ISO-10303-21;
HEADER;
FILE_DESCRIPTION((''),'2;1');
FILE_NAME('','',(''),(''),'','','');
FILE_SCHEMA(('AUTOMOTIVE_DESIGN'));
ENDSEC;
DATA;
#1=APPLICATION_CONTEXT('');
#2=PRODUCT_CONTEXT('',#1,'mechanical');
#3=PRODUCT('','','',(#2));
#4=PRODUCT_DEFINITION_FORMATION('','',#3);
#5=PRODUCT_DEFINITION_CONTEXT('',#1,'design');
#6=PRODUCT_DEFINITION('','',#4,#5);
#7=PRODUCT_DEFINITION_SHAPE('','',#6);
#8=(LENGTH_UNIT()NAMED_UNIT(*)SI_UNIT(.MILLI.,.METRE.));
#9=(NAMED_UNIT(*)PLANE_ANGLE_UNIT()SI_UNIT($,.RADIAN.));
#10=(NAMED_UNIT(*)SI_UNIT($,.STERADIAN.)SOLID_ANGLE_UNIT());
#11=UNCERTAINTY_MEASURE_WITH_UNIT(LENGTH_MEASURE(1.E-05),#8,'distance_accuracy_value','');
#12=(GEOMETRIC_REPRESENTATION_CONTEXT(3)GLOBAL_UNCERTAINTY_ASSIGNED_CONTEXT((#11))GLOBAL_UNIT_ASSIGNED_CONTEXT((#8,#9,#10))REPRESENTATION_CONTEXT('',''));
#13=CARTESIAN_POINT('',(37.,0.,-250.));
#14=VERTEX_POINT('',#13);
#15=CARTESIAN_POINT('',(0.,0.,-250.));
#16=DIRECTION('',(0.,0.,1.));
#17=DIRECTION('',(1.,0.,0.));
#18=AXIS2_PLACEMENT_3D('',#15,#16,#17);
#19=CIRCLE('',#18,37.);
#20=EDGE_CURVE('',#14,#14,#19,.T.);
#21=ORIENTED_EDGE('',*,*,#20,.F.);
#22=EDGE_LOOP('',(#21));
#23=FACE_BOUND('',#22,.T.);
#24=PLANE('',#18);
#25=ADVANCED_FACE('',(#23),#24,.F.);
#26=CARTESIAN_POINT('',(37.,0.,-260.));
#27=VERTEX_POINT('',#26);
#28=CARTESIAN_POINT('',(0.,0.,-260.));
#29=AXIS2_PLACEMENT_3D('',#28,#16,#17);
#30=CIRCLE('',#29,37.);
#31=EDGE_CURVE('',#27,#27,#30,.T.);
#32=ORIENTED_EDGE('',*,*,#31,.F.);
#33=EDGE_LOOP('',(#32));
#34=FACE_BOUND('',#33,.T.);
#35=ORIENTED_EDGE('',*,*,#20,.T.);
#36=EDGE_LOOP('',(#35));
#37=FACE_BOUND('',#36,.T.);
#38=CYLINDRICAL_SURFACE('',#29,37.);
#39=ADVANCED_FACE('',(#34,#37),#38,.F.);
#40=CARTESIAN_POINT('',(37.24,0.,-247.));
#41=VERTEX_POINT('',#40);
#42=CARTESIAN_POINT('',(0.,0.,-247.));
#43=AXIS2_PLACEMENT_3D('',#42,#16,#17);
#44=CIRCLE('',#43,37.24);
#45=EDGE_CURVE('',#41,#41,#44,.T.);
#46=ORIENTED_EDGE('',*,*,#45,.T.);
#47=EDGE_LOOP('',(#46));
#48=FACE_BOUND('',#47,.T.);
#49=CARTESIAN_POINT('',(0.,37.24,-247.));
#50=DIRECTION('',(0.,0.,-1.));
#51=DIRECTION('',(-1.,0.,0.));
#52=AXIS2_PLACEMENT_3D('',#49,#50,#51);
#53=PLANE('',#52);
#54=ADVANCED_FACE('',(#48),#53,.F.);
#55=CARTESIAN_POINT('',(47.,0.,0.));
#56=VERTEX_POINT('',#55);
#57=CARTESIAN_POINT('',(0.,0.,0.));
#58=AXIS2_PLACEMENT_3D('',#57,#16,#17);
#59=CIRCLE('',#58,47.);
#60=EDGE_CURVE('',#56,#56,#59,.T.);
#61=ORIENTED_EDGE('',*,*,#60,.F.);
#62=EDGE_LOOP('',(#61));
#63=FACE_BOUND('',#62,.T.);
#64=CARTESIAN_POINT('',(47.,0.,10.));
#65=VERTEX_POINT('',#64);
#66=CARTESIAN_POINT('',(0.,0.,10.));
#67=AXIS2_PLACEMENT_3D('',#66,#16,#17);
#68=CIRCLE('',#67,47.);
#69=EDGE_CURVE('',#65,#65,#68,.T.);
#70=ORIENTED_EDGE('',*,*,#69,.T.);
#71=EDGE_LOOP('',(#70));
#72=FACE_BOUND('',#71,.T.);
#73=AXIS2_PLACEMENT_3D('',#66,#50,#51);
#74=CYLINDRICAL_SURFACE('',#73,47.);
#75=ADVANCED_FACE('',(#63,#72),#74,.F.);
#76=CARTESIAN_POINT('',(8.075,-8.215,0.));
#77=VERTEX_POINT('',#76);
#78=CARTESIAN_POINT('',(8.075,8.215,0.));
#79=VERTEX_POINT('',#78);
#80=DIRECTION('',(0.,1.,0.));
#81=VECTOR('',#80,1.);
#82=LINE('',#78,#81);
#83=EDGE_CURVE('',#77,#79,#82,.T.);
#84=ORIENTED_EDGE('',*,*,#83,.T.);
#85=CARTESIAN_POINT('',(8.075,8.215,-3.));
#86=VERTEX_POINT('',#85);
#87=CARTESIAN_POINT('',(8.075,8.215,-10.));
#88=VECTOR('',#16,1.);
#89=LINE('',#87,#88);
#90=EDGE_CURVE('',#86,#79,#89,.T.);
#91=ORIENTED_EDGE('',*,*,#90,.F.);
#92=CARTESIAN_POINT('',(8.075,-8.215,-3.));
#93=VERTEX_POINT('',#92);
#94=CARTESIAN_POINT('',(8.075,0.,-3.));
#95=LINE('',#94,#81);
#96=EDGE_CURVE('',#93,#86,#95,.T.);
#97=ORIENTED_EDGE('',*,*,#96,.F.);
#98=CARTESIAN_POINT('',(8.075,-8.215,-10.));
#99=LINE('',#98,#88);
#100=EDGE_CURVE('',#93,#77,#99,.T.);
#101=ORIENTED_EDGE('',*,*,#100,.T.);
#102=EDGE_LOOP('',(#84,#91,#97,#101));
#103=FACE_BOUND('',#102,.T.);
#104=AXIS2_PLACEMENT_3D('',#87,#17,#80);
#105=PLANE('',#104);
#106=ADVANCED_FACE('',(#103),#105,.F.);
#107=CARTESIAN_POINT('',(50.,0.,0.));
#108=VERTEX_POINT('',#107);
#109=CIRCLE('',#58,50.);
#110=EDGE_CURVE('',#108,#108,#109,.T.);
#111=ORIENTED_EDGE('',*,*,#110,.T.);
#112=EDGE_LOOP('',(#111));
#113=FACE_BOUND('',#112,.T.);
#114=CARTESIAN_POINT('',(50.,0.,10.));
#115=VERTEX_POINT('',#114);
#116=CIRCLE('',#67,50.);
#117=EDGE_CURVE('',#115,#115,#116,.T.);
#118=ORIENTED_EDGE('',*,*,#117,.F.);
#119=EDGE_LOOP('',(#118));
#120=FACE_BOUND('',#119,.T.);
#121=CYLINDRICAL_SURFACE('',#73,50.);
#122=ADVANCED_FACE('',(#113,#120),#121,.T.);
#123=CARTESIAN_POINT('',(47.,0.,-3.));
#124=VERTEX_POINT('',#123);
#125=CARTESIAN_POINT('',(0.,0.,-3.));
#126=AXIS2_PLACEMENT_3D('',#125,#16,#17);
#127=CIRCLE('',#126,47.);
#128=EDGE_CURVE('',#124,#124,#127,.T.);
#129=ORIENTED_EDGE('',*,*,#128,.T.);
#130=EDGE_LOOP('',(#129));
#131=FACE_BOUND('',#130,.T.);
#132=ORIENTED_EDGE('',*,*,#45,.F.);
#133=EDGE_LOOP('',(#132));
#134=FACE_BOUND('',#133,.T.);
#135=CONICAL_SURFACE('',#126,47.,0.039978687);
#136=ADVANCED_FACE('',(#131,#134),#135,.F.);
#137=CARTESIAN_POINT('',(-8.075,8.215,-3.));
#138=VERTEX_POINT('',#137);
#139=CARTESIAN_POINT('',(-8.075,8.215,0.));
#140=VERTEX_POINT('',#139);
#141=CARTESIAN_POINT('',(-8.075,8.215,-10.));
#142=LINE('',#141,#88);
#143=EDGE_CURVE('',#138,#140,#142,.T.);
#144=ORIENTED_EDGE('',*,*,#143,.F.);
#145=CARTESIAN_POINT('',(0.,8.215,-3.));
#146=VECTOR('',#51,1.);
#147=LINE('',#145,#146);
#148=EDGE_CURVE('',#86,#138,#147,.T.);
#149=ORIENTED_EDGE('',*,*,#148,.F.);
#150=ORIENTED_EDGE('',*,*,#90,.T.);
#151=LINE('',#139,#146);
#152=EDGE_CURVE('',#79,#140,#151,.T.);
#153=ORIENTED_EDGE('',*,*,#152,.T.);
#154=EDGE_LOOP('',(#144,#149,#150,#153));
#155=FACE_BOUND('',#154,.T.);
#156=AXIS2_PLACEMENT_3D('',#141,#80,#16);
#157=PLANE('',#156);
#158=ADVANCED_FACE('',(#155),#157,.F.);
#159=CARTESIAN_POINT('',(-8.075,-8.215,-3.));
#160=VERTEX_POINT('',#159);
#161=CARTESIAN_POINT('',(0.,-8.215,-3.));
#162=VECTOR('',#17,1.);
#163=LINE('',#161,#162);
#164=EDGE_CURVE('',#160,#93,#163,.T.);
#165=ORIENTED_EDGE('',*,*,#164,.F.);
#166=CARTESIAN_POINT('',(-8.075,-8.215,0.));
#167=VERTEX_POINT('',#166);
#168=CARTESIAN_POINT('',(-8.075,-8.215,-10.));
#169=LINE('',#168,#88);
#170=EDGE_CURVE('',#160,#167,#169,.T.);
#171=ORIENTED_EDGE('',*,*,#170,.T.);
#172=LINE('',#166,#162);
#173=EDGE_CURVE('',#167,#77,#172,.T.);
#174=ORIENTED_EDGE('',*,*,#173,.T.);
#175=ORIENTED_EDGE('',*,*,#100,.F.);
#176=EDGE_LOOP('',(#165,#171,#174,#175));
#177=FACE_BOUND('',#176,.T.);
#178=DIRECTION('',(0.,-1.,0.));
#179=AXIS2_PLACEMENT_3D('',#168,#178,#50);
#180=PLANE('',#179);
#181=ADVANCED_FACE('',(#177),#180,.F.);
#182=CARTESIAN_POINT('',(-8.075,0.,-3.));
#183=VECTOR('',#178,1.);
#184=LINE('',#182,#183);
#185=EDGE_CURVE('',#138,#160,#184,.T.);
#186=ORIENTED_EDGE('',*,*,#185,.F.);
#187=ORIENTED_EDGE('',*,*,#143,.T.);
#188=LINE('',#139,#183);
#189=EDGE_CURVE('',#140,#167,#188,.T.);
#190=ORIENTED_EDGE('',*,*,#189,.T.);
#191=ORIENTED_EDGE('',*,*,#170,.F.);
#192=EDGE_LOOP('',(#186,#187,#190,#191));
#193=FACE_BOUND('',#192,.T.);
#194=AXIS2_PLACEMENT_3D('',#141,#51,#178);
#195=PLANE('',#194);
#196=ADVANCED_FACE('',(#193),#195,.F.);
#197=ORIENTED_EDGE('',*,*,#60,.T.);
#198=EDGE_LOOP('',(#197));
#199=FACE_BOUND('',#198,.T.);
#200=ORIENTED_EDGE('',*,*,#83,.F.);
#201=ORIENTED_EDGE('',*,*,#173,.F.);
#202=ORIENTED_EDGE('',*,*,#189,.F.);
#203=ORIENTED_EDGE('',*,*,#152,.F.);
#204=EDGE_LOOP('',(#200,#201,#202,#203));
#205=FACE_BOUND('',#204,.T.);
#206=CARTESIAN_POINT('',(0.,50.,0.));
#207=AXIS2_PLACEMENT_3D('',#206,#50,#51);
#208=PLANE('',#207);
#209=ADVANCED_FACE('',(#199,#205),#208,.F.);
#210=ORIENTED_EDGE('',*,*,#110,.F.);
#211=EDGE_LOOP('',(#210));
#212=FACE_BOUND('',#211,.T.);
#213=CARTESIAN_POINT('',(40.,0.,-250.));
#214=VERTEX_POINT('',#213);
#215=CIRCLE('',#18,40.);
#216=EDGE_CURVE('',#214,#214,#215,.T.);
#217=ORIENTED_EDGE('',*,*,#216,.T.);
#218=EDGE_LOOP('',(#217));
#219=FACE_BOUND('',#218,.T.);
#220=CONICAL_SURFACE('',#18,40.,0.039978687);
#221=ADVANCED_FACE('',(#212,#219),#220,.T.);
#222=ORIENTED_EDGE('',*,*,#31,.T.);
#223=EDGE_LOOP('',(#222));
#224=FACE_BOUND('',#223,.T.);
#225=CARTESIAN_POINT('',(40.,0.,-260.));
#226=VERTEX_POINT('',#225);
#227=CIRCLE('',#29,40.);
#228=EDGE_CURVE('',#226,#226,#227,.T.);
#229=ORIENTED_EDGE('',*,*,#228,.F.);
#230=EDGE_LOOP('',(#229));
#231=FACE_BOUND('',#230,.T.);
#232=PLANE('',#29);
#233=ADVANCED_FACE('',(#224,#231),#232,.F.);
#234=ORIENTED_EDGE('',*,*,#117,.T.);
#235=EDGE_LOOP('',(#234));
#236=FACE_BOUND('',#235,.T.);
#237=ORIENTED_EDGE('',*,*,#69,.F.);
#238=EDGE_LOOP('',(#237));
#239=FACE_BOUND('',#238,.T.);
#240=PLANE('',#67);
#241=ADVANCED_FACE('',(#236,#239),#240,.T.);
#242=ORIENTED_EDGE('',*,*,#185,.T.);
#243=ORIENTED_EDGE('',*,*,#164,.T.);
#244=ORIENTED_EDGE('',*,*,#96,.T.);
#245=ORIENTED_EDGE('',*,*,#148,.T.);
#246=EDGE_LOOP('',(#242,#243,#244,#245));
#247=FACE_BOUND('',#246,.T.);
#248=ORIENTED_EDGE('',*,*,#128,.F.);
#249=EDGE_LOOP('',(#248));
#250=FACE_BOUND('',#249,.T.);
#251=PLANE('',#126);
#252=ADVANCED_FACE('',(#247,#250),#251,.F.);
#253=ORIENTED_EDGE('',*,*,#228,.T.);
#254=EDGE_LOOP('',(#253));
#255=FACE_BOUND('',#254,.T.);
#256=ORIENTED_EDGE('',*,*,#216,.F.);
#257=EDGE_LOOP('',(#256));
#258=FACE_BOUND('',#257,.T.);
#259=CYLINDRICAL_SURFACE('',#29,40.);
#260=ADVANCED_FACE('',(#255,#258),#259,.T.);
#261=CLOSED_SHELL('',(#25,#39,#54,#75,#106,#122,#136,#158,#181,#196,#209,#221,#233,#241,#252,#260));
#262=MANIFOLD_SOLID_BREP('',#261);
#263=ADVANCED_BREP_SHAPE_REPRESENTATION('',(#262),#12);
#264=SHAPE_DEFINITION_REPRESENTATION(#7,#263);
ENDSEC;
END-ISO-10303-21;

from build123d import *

# Parameters (mm, degrees)
SKETCH2_R           = 50
SKETCH2_R_2         = 47
BOSS_EXTRUDE2_DEPTH = 10
SKETCH4_W           = 16.15
SKETCH4_H           = 16.43
CUT_EXTRUDE1_DEPTH  = 10
SKETCH3_R           = 40
SKETCH3_R_2         = 37
BOSS_EXTRUDE3_DEPTH = 10


with BuildPart() as part:
    # Sketch1 → Revolve1 (revolve)
    with BuildSketch(Plane(origin=(0, 0, 0), x_dir=(0, 0, -1), z_dir=(1, 0, 0)), mode=Mode.PRIVATE) as revolve1_sk:
        Polygon((0, 0), (3, 0), (3, 47), (247, 37.24), (247, 0), (250, 0), (250, 40), (0, 50), align=None)
    revolve(revolve1_sk.sketch.rotate(Axis((0, 0, 0), (0, 0, -1)), 90), axis=Axis((0, 0, 0), (0, 0, -1)))

    # Sketch2 → Boss-Extrude2 (add)
    with BuildSketch(Plane.XY):
        Circle(SKETCH2_R)
        Circle(SKETCH2_R_2, mode=Mode.SUBTRACT)
    extrude(amount=BOSS_EXTRUDE2_DEPTH)

    # Sketch4 → Cut-Extrude1 (cut)
    with BuildSketch(Plane.XY):
        Rectangle(SKETCH4_W, SKETCH4_H)
    extrude(amount=-CUT_EXTRUDE1_DEPTH, mode=Mode.SUBTRACT)

    # Sketch3 → Boss-Extrude3 (add)
    with BuildSketch(Plane.XY.offset(-250)):
        Circle(SKETCH3_R)
        Circle(SKETCH3_R_2, mode=Mode.SUBTRACT)
    extrude(amount=-BOSS_EXTRUDE3_DEPTH)


solid = part.part
